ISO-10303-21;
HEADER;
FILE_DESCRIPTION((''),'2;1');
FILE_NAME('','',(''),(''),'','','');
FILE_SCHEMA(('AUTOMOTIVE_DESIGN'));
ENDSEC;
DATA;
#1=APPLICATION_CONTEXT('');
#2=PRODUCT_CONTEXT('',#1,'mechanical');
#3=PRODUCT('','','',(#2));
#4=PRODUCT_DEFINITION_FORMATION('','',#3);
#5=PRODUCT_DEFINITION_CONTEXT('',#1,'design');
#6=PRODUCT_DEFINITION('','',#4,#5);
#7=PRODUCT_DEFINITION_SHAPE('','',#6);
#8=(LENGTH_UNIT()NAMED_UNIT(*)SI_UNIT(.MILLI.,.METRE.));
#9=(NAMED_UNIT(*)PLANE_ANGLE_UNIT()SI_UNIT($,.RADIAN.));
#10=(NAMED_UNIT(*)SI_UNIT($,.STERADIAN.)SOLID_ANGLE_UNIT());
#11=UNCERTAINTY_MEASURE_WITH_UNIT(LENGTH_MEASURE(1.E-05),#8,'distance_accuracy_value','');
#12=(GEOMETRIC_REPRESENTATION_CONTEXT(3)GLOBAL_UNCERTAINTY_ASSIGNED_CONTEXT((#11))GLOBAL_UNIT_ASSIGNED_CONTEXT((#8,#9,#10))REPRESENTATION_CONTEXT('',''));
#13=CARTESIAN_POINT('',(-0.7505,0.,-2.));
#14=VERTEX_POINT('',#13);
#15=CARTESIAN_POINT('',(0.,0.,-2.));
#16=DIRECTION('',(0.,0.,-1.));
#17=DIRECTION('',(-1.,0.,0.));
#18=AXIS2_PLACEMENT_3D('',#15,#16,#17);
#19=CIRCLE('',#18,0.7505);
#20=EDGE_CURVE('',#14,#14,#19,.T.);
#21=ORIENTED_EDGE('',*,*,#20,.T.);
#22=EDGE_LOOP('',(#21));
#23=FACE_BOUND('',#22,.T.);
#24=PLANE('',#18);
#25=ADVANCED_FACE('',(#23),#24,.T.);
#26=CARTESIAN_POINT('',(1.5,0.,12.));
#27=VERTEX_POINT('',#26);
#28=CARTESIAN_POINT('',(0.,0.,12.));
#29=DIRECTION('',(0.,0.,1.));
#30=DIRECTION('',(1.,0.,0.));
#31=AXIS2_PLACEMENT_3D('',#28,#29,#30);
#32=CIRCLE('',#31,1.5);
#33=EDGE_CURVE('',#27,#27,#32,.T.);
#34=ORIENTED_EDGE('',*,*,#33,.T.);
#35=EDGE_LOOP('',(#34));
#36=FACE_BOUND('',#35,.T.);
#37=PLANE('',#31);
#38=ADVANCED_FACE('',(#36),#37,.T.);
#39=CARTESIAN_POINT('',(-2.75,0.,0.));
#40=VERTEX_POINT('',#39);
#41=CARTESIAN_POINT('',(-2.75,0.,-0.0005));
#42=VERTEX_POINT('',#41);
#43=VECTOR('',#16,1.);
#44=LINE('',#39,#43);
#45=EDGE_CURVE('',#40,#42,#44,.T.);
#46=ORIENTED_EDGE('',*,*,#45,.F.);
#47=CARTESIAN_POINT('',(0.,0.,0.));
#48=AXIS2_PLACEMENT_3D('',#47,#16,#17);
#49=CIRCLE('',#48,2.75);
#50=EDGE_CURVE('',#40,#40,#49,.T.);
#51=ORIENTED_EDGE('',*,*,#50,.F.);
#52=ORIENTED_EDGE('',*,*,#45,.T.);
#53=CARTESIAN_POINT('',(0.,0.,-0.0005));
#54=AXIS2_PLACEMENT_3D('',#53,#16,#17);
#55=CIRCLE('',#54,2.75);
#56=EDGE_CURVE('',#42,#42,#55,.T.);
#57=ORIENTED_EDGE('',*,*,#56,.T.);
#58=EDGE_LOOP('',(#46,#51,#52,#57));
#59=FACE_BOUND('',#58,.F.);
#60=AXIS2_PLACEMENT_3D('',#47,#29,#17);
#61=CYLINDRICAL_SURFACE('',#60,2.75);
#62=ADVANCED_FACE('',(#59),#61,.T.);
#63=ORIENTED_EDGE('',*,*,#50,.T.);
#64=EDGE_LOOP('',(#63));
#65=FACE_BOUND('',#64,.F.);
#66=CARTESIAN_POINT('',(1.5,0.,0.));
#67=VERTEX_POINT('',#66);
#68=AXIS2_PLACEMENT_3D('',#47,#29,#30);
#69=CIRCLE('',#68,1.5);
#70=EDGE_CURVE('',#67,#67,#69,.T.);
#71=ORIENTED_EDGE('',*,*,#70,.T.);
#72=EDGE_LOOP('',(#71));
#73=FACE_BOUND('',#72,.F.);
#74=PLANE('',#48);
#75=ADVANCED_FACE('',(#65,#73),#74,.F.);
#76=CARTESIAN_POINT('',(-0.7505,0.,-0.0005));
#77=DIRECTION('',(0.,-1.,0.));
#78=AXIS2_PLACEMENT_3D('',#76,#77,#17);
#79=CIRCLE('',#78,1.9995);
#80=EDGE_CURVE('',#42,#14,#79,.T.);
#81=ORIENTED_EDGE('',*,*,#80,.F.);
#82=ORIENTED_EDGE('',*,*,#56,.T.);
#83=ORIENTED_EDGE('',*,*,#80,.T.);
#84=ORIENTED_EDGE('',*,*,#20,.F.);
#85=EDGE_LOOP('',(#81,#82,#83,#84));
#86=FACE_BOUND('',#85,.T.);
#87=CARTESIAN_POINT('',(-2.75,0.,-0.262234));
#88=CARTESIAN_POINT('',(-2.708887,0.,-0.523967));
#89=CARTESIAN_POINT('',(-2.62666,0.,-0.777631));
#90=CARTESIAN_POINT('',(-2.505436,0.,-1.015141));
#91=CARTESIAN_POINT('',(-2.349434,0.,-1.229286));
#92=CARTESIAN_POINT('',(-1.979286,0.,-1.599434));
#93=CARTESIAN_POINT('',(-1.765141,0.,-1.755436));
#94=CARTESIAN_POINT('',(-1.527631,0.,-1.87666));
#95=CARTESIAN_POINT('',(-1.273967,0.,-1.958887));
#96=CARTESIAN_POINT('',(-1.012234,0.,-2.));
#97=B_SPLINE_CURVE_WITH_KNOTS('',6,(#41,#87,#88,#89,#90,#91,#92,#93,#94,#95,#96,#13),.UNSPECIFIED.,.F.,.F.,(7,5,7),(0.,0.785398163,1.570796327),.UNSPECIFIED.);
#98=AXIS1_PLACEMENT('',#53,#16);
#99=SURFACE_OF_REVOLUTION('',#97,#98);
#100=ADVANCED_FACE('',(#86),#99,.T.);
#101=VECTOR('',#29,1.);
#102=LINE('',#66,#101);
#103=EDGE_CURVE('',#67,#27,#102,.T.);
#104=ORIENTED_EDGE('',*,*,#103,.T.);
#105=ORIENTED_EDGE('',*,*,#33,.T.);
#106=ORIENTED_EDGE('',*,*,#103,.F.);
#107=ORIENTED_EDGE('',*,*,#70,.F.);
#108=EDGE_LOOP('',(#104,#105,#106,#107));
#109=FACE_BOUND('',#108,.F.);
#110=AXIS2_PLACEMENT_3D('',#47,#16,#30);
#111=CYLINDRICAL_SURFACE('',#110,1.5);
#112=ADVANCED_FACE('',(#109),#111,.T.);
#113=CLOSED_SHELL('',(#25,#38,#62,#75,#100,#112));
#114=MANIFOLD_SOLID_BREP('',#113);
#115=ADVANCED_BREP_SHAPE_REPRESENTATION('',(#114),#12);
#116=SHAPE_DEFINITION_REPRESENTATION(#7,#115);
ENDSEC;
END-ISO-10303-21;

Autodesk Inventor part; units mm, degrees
ref_plane "YZ Plane" through (0, 0, 0) normal (1, 0, 0) x (0, 1, 0)
ref_plane "XZ Plane" through (0, 0, 0) normal (0, 1, 0) x (-1, 0, 0)
ref_plane "XY Plane" through (0, 0, 0) normal (0, 0, 1) x (1, 0, 0)
sketch "スケッチ1" plane through (0, 0, 0) normal (0, 0, 1) x (1, 0, 0)
  circle A0 centre (0, 0) radius 1.5
  dimension "d0" = 3
extrude "押し出し1" add sketch "スケッチ1" along normal blind 12
sketch "スケッチ2" plane through (0, 0, 0) normal (0, 0, -1) x (-1, 0, 0)
  circle A0 centre (0, 0) radius 2.75
  dimension "d3" = 5.5
extrude "押し出し2" add sketch "スケッチ2" along normal blind 2
fillet "フィレット1" radius 2 1 edges at (2.75, 0, -2)
thread "ねじ1" size "M3x0.5" class "6g" standard "ANSI Metric M Profile" full length
properties part number "ネジ鍋m3,12" material "鋼、高強度、低合金"
